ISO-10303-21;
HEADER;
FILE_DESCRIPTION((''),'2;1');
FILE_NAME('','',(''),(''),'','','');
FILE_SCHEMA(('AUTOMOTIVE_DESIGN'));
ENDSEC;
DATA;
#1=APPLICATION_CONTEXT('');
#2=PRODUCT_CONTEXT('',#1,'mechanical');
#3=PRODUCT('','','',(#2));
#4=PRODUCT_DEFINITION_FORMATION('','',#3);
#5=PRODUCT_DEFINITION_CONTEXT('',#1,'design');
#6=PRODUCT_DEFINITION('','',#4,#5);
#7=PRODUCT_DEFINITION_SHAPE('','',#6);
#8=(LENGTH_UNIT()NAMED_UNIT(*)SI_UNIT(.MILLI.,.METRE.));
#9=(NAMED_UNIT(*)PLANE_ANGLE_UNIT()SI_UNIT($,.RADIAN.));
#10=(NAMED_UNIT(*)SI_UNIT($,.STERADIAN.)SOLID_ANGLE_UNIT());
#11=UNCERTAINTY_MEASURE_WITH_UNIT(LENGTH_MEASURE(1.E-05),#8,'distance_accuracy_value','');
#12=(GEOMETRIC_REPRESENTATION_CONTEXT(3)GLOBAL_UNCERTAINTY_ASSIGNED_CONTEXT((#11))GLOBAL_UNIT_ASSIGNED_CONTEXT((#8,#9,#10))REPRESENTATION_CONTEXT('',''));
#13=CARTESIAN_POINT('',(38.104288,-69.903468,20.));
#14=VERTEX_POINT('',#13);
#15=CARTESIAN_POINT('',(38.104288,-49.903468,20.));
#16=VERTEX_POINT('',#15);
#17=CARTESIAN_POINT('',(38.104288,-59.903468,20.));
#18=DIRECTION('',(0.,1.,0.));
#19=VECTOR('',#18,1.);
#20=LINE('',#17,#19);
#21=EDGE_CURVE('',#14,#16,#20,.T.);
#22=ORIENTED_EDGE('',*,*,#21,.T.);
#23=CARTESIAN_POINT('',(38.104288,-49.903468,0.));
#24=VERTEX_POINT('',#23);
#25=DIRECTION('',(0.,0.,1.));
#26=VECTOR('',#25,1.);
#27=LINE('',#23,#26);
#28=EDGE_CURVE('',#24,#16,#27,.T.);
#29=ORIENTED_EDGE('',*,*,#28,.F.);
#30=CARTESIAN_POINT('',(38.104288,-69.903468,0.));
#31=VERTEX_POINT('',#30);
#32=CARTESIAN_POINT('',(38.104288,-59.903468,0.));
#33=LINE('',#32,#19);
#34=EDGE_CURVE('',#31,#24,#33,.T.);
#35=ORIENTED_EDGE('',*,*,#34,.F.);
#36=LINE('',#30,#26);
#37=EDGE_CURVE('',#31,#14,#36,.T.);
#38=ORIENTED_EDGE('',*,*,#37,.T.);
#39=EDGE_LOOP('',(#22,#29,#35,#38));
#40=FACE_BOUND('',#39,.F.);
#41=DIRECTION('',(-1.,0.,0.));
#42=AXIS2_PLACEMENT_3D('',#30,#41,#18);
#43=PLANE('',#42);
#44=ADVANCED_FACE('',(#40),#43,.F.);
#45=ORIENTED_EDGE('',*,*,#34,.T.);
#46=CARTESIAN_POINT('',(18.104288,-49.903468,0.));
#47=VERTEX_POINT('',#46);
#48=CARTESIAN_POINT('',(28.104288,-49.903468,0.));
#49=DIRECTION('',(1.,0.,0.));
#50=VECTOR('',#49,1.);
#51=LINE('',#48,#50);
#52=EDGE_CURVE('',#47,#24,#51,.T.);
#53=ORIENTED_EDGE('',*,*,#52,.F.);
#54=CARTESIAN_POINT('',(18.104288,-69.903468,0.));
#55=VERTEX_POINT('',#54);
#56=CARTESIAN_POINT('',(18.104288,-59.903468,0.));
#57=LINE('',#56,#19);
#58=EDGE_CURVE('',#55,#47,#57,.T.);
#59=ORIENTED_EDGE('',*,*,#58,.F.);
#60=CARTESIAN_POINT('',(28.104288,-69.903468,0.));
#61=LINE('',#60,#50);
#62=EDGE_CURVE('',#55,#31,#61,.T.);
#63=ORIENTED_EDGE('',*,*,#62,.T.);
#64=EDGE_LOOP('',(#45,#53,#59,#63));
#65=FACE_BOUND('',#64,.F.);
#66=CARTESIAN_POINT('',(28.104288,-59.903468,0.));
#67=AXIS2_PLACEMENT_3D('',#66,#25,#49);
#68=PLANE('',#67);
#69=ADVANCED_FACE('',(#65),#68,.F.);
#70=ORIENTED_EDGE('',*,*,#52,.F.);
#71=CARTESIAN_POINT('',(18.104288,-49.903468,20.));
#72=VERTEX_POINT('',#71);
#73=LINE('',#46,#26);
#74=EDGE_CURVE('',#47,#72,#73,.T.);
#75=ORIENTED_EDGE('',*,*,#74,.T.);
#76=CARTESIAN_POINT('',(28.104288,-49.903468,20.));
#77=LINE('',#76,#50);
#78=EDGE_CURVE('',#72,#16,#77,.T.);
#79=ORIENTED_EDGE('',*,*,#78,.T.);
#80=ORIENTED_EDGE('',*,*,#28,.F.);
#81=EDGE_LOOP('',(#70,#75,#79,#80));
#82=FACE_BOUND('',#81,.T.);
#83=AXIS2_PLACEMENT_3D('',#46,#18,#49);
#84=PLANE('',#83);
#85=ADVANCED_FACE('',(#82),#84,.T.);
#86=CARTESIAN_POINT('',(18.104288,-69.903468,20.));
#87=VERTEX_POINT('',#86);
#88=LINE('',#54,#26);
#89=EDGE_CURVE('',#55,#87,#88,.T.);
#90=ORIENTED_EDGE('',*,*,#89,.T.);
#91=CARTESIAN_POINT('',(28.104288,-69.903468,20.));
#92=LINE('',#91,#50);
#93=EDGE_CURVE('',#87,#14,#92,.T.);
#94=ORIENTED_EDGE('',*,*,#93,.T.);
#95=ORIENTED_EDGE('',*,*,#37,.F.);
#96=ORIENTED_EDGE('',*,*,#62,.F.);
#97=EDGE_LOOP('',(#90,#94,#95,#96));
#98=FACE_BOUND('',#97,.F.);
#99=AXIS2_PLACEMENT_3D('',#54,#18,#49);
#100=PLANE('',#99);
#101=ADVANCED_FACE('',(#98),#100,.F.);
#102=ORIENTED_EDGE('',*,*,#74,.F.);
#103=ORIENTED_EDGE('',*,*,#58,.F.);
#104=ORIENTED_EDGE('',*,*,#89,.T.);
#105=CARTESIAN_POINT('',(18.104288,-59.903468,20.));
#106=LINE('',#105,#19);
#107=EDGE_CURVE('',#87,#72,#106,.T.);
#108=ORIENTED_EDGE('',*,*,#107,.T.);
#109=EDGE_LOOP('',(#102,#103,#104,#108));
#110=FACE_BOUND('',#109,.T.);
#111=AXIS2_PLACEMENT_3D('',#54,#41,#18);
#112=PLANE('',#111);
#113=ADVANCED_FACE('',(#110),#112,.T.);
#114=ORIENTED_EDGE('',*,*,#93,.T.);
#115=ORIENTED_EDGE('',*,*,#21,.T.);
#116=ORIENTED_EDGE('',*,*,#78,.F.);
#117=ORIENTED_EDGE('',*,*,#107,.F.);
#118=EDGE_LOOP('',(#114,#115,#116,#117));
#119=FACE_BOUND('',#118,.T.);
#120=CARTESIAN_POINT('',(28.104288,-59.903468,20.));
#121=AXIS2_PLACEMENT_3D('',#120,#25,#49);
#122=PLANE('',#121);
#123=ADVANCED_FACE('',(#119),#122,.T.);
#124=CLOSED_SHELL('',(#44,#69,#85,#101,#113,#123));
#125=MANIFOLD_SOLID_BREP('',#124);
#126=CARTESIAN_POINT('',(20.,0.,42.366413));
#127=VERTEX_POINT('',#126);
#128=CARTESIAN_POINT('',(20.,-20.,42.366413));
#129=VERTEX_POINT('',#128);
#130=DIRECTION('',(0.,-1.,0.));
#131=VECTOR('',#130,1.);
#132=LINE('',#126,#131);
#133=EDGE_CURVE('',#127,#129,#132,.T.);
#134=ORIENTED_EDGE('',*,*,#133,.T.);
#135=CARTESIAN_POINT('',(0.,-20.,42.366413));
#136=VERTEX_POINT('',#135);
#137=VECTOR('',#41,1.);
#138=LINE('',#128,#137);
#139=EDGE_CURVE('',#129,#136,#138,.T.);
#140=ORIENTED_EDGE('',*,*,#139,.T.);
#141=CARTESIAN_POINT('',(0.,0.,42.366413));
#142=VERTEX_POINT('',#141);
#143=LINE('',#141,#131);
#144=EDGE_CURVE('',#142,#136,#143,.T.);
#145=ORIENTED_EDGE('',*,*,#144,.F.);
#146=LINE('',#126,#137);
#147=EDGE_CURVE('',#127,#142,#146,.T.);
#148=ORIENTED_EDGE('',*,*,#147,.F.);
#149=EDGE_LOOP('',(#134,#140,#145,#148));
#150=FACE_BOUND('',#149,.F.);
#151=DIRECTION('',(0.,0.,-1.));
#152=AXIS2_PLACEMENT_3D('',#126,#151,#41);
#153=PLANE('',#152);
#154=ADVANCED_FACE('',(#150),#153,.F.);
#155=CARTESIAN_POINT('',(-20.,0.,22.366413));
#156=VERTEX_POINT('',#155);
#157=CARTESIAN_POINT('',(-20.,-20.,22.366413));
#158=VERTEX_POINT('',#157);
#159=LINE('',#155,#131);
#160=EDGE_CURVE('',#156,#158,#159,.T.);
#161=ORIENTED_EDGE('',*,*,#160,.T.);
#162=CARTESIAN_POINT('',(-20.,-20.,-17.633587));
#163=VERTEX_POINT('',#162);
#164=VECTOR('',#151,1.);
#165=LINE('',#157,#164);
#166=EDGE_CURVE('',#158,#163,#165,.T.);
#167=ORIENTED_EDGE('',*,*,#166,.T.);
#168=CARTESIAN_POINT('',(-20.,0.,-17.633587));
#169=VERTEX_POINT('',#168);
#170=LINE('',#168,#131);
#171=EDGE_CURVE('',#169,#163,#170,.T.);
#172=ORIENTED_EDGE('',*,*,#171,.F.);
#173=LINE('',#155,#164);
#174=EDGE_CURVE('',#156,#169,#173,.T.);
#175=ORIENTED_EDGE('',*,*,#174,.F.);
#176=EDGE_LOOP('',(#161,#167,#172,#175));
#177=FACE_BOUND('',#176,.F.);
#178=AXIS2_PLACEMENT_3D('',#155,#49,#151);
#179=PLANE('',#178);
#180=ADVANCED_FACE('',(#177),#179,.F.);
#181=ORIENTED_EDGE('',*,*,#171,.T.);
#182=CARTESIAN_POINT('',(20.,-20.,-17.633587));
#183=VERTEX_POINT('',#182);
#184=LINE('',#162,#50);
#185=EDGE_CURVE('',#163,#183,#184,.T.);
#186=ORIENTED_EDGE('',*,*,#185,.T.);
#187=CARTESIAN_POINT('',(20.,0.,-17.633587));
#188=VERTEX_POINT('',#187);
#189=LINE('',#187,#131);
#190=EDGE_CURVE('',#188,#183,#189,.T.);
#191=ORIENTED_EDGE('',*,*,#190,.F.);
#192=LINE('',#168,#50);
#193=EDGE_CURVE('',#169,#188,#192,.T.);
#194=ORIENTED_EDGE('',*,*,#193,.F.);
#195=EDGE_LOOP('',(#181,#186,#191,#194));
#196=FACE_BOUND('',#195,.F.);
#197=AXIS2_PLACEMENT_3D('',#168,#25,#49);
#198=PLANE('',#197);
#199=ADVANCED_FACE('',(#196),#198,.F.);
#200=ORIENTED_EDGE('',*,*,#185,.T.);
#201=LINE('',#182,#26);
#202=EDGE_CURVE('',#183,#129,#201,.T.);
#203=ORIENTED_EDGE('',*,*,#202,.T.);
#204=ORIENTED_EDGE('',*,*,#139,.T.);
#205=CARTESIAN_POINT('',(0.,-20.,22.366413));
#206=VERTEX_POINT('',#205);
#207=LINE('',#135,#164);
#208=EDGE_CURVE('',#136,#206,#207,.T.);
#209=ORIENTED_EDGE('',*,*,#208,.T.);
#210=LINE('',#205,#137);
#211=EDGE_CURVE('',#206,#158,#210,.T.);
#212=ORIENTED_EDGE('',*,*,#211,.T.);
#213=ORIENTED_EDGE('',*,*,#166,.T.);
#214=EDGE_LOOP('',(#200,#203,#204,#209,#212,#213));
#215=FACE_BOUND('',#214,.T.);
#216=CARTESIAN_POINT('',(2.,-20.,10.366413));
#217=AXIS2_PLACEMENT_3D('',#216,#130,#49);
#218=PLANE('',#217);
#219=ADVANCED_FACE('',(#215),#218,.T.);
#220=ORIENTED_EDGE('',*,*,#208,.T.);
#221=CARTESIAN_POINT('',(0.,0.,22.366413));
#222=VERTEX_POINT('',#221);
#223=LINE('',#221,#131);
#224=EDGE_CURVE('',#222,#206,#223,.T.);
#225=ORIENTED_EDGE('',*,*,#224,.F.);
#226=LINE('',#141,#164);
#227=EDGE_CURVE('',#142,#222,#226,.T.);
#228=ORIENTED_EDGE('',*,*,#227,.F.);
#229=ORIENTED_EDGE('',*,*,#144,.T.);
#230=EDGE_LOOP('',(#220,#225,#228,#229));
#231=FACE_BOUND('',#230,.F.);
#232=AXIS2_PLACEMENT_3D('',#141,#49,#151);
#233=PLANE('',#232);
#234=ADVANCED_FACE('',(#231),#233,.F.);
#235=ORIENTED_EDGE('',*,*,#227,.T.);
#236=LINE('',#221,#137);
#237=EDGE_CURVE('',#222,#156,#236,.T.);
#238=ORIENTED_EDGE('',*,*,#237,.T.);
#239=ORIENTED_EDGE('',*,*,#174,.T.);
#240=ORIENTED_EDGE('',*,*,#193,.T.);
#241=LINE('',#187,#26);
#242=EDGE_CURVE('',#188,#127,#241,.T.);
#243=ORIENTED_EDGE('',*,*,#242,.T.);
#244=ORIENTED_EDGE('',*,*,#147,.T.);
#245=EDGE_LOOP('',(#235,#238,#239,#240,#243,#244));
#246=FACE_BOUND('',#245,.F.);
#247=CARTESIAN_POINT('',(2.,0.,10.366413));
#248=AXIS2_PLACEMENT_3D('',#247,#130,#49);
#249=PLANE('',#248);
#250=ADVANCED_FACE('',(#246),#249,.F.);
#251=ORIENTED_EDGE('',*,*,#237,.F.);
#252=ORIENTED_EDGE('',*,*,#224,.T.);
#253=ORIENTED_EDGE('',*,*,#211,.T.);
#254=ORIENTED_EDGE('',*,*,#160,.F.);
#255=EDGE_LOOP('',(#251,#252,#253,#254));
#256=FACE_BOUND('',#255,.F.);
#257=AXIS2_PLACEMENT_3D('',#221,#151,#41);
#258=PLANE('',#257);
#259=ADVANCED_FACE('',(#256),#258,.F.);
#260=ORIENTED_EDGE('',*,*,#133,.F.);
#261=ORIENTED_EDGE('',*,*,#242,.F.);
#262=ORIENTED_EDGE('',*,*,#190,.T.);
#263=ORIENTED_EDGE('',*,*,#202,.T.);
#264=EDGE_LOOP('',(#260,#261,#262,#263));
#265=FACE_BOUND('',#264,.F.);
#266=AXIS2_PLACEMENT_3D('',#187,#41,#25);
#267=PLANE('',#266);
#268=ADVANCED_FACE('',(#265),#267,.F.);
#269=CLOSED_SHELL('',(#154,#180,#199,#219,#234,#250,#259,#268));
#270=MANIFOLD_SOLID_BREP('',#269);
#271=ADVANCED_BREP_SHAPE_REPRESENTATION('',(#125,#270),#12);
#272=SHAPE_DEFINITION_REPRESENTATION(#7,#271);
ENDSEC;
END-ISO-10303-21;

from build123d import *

# Parameters (mm, degrees)
F1_DEPTH = 20
F2_W     = 20
F2_H     = 20
F3_DEPTH = 20


with BuildPart() as f1:
    # F0 (on Front) → F1 (new body)
    with BuildSketch(Plane.XZ):
        Polygon((20, 42.366413), (0, 42.366413), (0, 22.366413), (-20, 22.366413), (-20, -17.633587), (20, -17.633587), align=None)
    extrude(amount=F1_DEPTH)


with BuildPart() as f3:
    # F2 (on Top) → F3 (new body)
    with BuildSketch(Plane.XY):
        with Locations((28.104288, -59.903468)):
            Rectangle(F2_W, F2_H)
    extrude(amount=F3_DEPTH)


solid = Compound([f1.part, f3.part])
